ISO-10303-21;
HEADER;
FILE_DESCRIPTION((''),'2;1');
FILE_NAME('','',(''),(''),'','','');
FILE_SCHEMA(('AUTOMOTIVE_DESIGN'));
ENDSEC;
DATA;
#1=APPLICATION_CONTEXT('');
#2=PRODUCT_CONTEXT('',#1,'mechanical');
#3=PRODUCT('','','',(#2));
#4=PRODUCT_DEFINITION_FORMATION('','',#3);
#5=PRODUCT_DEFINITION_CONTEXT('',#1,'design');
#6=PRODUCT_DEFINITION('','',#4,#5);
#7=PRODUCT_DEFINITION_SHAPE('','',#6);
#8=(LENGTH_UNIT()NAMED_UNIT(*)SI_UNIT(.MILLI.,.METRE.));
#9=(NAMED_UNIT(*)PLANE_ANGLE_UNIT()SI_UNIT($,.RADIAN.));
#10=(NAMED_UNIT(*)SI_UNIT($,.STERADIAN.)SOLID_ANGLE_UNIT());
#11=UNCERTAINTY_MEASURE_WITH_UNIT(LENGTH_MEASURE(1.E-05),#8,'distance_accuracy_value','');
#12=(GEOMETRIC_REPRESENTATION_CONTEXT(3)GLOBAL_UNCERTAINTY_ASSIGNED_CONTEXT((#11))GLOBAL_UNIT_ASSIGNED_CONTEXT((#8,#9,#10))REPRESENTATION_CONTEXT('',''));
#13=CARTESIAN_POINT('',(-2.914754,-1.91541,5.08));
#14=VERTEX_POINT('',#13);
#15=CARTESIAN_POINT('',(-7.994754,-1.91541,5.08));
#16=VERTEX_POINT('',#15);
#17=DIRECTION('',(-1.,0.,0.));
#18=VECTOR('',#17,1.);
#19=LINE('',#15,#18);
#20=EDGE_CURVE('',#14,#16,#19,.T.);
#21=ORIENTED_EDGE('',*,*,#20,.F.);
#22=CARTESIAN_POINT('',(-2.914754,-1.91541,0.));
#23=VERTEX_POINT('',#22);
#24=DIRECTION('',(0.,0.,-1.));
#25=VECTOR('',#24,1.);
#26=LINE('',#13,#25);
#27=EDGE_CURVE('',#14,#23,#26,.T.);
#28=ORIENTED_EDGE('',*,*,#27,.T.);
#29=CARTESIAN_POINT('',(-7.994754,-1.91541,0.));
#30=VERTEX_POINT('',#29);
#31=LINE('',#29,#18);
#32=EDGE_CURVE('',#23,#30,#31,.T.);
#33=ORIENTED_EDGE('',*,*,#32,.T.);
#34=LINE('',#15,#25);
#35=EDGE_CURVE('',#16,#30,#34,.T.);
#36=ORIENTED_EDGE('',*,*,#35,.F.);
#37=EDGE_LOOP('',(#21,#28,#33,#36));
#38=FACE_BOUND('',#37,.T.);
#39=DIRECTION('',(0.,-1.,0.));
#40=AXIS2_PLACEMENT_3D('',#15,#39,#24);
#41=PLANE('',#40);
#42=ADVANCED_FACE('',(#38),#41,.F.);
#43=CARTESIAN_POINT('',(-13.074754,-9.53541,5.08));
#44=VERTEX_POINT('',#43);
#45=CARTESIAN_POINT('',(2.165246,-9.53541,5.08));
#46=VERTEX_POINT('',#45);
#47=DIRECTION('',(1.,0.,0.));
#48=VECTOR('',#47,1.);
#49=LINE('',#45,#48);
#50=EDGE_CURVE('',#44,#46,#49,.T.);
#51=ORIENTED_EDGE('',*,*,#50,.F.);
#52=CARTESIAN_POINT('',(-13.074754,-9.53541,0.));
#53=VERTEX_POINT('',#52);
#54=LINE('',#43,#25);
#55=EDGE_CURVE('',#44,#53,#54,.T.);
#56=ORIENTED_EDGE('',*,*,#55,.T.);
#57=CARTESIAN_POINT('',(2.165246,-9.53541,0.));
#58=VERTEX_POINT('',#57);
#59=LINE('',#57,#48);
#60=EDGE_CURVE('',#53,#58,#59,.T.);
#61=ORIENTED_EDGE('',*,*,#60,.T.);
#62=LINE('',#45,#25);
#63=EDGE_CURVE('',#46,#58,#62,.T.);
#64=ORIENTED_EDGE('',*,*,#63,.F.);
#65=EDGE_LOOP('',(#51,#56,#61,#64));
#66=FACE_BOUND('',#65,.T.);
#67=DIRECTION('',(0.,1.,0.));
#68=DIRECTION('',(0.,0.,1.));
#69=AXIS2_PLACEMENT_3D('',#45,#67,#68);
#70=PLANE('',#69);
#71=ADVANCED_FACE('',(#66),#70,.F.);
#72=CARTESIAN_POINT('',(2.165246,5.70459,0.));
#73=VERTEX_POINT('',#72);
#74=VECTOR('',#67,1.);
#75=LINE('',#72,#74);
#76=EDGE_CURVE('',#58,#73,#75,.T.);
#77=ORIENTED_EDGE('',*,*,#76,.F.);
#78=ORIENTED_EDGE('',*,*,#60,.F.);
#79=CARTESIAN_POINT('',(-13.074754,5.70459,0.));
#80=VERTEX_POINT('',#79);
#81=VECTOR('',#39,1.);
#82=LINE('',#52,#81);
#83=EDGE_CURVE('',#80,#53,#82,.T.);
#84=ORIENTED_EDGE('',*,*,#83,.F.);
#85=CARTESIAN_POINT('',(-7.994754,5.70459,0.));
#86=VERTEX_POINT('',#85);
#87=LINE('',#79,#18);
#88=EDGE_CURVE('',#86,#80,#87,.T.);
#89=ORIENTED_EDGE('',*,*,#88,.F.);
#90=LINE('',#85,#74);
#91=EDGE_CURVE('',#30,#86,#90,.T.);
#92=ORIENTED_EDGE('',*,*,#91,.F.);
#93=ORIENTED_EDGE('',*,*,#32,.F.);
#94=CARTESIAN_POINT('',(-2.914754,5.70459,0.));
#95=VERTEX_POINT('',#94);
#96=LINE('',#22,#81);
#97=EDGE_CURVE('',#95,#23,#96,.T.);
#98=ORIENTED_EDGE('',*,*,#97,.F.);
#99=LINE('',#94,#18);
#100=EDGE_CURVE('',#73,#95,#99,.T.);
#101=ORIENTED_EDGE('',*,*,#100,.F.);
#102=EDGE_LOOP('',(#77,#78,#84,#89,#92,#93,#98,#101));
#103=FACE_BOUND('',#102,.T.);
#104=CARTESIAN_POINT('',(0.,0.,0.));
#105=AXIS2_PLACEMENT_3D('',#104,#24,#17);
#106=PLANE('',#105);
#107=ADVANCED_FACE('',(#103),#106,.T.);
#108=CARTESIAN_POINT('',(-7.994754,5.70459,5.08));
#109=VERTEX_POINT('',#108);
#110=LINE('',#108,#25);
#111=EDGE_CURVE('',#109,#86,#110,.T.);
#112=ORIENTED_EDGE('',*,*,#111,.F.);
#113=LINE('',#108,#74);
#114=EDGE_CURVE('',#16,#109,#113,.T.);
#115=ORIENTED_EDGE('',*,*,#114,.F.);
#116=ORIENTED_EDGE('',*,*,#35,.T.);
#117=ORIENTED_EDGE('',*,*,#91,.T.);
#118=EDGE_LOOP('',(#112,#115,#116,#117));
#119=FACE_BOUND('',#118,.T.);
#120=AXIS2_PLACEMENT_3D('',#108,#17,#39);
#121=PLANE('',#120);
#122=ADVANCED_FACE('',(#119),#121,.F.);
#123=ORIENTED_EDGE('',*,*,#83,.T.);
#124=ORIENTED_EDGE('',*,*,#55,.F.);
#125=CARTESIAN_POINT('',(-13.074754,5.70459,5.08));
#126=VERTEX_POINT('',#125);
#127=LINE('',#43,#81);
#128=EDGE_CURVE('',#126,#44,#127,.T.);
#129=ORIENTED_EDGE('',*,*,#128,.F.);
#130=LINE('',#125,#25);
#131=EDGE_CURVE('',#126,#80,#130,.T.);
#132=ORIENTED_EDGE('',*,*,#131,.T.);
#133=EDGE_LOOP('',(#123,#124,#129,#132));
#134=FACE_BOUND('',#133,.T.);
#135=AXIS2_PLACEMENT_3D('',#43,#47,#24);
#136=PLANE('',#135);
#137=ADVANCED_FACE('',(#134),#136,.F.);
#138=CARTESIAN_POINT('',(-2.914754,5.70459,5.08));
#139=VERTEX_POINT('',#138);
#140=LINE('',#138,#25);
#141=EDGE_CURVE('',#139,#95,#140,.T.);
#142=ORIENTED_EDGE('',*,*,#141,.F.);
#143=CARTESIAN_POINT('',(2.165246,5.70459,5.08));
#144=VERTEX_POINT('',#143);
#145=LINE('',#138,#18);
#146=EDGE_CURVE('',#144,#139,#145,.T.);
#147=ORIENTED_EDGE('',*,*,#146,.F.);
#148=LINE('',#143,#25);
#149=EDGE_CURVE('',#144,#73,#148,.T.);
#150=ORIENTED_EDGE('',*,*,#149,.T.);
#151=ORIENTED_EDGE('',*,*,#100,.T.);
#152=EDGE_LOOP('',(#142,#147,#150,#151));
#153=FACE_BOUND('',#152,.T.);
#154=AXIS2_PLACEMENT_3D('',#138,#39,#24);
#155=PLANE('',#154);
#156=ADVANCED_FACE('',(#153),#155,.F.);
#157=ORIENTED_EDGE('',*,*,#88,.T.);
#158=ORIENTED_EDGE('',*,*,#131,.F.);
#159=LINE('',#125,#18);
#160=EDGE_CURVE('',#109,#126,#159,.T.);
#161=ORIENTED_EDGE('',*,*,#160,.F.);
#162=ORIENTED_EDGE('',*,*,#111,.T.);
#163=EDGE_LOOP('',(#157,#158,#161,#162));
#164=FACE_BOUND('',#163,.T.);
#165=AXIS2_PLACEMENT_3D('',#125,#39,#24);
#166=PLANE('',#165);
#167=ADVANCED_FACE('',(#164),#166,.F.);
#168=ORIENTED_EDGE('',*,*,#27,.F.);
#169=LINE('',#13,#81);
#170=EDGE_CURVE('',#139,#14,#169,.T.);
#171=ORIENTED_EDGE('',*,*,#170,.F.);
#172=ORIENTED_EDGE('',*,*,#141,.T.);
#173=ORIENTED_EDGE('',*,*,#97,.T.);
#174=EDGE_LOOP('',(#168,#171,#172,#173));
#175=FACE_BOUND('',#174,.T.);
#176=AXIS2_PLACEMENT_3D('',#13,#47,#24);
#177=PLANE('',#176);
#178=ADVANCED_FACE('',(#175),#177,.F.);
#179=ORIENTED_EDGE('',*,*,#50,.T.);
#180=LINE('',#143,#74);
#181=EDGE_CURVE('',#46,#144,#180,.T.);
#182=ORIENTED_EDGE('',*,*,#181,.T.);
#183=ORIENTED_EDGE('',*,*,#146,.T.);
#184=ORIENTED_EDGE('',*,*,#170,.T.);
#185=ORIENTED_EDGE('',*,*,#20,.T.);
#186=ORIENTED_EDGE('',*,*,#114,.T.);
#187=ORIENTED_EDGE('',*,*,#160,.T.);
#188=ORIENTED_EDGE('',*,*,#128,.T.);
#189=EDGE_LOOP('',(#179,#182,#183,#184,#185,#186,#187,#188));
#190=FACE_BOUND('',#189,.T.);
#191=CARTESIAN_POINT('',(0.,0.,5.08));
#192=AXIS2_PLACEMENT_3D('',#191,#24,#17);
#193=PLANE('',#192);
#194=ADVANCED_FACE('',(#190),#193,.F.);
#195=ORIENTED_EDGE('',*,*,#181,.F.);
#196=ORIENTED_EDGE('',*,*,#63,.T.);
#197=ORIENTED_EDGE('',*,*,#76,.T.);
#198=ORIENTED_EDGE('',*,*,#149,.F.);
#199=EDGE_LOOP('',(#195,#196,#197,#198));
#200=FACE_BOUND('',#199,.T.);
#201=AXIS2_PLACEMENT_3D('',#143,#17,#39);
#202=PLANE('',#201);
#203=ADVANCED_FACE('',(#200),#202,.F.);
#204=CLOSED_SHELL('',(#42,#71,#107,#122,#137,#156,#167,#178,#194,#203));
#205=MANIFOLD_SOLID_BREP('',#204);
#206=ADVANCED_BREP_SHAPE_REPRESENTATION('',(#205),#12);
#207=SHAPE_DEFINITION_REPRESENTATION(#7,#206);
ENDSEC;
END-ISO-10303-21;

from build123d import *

# Parameters (mm, degrees)
BOSS_EXTRUDE1_DEPTH = 5.08


with BuildPart() as part:
    # Sketch2 → Boss-Extrude1 (new body)
    with BuildSketch(Plane.XY):
        Polygon((-13.074754098, 5.704590164), (-7.994754098, 5.704590164), (-7.994754098, -1.915409836), (-2.914754098, -1.915409836), (-2.914754098, 5.704590164), (2.165245902, 5.704590164), (2.165245902, -9.535409836), (-13.074754098, -9.535409836), align=None)
    extrude(amount=BOSS_EXTRUDE1_DEPTH)


solid = part.part
